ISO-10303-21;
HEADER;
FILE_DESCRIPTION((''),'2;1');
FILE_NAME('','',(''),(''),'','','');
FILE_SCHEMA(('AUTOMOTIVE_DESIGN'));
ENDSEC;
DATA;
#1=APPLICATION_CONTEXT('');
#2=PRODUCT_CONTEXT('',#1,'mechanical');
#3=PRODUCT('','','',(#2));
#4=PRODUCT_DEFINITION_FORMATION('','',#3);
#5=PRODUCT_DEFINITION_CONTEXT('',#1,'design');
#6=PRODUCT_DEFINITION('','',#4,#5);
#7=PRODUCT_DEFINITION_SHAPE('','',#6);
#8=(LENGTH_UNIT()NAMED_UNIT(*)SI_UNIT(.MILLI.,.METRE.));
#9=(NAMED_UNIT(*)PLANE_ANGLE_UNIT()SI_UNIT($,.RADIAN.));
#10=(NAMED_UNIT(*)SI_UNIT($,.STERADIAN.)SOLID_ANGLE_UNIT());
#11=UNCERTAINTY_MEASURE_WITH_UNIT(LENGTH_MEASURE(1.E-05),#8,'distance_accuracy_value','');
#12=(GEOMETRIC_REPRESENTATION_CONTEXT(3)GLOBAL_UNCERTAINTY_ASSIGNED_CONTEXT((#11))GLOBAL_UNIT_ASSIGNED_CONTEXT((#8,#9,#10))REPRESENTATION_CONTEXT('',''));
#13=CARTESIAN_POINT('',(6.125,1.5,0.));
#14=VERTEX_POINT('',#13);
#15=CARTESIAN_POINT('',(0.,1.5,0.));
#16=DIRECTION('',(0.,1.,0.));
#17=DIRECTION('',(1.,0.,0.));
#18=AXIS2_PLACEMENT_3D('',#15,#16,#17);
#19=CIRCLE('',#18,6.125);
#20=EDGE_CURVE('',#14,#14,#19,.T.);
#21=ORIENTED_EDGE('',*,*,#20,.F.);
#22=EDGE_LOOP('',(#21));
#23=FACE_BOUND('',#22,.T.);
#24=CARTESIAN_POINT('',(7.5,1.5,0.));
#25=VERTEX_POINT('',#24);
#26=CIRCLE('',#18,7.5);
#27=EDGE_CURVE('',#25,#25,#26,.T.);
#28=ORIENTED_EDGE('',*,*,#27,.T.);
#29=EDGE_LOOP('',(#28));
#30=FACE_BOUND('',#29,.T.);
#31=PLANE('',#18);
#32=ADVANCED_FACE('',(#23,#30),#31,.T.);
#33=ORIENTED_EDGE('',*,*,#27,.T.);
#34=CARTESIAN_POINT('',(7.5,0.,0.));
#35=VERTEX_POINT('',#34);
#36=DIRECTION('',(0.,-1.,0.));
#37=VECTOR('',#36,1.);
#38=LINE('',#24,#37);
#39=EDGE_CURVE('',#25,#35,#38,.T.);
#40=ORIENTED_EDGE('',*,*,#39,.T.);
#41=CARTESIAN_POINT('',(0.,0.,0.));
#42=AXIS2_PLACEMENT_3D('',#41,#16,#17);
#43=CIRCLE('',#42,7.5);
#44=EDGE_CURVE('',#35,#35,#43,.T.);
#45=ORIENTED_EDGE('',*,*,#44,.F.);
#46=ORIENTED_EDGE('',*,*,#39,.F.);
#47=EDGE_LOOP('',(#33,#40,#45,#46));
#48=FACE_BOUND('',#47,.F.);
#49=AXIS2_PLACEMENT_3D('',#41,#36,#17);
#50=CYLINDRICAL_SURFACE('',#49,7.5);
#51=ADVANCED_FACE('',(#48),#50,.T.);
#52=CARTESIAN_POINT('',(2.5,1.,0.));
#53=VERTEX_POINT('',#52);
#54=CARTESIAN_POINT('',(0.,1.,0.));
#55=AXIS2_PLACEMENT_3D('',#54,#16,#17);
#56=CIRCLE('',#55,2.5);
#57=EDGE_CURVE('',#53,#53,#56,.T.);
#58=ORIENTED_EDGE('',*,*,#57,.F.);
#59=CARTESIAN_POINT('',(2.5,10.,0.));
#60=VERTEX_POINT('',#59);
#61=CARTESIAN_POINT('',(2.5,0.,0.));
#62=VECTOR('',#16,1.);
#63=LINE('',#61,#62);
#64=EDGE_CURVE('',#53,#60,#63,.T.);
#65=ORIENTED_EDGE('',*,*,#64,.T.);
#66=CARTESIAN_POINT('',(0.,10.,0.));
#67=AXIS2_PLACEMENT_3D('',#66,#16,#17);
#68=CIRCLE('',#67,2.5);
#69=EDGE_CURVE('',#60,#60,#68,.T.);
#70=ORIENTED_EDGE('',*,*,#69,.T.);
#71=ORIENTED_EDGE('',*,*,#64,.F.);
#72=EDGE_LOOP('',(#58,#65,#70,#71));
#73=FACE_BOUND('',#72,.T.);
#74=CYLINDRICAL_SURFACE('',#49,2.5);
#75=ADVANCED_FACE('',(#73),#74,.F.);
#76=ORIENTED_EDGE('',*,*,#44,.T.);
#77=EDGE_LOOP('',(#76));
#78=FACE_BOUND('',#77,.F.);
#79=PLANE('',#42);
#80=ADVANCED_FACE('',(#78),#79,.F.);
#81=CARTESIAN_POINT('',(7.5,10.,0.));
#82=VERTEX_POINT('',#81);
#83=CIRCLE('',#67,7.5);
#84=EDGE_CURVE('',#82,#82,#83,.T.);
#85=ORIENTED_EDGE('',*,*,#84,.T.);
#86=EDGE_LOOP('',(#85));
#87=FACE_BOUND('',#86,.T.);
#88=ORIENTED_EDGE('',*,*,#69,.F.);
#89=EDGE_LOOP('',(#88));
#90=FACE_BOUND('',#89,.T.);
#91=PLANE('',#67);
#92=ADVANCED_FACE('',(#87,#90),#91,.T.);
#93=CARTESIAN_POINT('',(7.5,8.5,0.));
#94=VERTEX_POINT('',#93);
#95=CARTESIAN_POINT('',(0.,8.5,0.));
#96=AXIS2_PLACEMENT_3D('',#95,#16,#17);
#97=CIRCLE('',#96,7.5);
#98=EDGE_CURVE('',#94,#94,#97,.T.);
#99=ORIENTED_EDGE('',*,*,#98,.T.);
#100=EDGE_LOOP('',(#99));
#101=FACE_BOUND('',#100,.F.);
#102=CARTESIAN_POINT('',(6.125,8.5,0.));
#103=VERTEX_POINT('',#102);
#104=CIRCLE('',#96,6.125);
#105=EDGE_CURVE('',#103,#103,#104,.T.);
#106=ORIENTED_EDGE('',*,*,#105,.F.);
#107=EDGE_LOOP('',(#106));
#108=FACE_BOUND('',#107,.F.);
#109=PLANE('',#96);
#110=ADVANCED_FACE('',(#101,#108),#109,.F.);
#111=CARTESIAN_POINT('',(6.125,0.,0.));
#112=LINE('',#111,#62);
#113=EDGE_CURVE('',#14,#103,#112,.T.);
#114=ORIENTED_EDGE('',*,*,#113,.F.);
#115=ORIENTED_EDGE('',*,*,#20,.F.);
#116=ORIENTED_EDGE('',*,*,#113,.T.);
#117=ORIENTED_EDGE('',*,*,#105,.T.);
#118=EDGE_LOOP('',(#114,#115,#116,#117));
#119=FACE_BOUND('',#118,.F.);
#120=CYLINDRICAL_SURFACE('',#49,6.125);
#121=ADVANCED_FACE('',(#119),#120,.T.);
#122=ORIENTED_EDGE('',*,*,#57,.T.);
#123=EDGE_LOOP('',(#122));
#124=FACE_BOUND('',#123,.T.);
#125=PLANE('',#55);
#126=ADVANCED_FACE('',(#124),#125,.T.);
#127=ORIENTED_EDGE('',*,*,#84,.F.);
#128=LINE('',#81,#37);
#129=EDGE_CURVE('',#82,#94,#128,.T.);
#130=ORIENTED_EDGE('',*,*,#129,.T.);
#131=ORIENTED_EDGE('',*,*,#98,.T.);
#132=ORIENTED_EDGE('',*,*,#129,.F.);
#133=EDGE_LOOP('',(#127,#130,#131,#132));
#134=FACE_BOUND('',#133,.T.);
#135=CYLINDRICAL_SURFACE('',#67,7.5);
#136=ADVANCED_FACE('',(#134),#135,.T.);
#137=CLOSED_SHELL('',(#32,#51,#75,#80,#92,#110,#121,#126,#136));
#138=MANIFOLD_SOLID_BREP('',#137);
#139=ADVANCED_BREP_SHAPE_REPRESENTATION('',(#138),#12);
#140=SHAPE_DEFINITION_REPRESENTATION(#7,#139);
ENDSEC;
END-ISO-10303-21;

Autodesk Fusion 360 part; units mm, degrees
sketch "Sketch1" plane through (0, 0, 0) normal (0, 1, 0) x (1, 0, 0)
  circle A0 centre (0, 0) radius 2.5
  circle A1 centre (0, 0) radius 3.5
  dimension "d1" = 5
  dimension "d2" = 7
extrude "Extrude2" add sketch "Sketch1" along normal blind 1

Autodesk Fusion 360 part; units mm, degrees
sketch "Sketch1" plane through (0, 0, 0) normal (0, 1, 0) x (1, 0, 0)
  circle A0 centre (0, 0) radius 2.5
  circle A1 centre (0, 0) radius 6.125
  circle A2 centre (0, 0) radius 7.5
  dimension "d1" = 5
  dimension "d2" = 12.25
  dimension "d3" = 15
extrude "Extrude1" add sketch "Sketch1" along normal blind 10 contours A1
extrude "Extrude2" add sketch "Sketch1" along normal blind 1.5 contours A2
extrude "Extrude3" add sketch "Sketch1" against normal blind 1.5 from surface at 10 contours A2
